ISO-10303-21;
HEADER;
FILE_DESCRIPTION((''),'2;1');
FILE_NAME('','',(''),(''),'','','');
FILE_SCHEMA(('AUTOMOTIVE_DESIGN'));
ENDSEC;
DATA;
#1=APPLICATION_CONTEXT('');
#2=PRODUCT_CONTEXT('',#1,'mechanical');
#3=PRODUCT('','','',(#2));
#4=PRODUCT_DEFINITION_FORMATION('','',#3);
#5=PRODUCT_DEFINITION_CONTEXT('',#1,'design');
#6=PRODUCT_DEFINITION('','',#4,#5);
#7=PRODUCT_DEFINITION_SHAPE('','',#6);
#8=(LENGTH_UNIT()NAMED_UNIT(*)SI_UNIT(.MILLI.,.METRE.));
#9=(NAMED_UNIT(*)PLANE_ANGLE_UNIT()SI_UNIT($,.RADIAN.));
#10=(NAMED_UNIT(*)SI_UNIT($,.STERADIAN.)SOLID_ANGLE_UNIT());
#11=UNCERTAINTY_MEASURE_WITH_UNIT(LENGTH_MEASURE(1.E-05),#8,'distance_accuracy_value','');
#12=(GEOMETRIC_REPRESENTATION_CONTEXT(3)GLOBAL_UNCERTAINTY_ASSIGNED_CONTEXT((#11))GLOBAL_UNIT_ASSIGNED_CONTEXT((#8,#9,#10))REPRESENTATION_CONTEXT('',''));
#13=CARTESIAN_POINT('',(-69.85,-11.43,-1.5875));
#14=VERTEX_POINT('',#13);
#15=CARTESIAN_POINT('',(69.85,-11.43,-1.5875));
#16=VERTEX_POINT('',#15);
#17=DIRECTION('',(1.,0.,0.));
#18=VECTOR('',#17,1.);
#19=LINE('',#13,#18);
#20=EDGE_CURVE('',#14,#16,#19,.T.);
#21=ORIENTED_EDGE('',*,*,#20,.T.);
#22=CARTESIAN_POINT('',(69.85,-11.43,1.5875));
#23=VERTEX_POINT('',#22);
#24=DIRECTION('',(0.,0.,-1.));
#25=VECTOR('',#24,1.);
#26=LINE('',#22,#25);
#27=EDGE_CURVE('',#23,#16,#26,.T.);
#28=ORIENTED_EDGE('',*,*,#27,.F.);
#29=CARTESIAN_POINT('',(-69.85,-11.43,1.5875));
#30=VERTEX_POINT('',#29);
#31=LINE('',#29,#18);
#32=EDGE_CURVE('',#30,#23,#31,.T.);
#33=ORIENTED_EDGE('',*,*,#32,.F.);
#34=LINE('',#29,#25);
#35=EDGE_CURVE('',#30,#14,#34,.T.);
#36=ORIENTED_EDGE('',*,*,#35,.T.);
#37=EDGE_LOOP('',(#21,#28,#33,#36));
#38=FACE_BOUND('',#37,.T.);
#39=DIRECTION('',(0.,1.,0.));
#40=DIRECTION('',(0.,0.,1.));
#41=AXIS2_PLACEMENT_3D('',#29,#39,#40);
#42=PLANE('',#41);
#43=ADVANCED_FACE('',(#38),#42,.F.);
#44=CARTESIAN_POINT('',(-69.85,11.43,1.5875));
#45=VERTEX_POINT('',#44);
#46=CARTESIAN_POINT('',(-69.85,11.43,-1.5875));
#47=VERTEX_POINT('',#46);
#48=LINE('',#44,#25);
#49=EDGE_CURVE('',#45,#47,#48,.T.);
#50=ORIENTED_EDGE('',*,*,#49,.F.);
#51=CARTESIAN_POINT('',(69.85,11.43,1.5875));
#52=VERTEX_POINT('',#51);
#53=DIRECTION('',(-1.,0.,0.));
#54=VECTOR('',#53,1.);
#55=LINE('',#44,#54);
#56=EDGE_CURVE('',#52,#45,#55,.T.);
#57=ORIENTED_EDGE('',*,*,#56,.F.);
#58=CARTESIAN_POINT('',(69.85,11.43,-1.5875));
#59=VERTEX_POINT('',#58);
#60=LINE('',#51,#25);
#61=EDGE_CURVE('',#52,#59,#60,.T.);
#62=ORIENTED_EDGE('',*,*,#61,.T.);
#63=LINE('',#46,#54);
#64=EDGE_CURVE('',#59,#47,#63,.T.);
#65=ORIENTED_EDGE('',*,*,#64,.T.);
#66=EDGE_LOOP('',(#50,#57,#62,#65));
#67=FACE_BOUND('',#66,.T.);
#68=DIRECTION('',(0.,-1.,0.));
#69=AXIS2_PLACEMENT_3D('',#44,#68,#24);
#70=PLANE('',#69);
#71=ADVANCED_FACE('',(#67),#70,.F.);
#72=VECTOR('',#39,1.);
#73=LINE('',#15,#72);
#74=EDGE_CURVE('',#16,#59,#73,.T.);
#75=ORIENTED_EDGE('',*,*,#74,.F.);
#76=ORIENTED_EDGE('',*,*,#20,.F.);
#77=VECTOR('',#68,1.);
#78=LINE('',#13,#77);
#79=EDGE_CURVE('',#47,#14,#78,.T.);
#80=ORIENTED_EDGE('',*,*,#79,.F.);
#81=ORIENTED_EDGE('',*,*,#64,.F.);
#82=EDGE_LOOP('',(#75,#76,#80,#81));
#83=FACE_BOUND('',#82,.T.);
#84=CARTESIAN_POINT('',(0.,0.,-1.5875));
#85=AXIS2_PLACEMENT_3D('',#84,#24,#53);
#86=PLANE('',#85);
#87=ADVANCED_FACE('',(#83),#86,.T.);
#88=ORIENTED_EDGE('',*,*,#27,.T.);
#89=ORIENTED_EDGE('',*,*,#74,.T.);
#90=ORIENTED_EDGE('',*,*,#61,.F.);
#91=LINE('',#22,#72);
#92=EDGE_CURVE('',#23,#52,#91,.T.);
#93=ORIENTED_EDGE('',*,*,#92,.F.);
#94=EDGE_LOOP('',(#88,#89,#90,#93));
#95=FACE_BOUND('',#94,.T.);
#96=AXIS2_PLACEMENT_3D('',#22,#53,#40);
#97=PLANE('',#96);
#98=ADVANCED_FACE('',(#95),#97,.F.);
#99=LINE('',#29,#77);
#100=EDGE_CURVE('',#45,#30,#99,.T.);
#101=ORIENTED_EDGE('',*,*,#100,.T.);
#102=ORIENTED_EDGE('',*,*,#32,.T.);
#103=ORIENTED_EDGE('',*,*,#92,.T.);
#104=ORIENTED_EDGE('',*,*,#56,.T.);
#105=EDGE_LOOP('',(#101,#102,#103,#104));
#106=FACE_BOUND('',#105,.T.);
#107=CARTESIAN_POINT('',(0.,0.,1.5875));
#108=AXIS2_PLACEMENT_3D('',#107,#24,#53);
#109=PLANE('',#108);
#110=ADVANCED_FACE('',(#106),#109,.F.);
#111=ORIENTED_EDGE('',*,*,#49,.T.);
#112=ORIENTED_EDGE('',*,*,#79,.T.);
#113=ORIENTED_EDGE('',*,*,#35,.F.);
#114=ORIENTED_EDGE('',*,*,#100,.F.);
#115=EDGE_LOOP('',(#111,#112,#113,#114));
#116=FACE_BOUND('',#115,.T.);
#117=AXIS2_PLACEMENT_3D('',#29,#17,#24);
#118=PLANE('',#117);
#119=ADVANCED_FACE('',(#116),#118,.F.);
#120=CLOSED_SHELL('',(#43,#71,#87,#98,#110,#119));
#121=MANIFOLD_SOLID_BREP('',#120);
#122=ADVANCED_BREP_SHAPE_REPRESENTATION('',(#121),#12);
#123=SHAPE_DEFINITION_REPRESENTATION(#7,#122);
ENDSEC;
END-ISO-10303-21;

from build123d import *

# Parameters (mm, degrees)
SKETCH1_W           = 139.7
SKETCH1_H           = 22.86
BOSS_EXTRUDE1_DEPTH = 1.5875


with BuildPart() as part:
    # Sketch1 → Boss-Extrude1 (new body, symmetric)
    with BuildSketch(Plane.XY):
        Rectangle(SKETCH1_W, SKETCH1_H)
    extrude(amount=BOSS_EXTRUDE1_DEPTH, both=True)


solid = part.part
